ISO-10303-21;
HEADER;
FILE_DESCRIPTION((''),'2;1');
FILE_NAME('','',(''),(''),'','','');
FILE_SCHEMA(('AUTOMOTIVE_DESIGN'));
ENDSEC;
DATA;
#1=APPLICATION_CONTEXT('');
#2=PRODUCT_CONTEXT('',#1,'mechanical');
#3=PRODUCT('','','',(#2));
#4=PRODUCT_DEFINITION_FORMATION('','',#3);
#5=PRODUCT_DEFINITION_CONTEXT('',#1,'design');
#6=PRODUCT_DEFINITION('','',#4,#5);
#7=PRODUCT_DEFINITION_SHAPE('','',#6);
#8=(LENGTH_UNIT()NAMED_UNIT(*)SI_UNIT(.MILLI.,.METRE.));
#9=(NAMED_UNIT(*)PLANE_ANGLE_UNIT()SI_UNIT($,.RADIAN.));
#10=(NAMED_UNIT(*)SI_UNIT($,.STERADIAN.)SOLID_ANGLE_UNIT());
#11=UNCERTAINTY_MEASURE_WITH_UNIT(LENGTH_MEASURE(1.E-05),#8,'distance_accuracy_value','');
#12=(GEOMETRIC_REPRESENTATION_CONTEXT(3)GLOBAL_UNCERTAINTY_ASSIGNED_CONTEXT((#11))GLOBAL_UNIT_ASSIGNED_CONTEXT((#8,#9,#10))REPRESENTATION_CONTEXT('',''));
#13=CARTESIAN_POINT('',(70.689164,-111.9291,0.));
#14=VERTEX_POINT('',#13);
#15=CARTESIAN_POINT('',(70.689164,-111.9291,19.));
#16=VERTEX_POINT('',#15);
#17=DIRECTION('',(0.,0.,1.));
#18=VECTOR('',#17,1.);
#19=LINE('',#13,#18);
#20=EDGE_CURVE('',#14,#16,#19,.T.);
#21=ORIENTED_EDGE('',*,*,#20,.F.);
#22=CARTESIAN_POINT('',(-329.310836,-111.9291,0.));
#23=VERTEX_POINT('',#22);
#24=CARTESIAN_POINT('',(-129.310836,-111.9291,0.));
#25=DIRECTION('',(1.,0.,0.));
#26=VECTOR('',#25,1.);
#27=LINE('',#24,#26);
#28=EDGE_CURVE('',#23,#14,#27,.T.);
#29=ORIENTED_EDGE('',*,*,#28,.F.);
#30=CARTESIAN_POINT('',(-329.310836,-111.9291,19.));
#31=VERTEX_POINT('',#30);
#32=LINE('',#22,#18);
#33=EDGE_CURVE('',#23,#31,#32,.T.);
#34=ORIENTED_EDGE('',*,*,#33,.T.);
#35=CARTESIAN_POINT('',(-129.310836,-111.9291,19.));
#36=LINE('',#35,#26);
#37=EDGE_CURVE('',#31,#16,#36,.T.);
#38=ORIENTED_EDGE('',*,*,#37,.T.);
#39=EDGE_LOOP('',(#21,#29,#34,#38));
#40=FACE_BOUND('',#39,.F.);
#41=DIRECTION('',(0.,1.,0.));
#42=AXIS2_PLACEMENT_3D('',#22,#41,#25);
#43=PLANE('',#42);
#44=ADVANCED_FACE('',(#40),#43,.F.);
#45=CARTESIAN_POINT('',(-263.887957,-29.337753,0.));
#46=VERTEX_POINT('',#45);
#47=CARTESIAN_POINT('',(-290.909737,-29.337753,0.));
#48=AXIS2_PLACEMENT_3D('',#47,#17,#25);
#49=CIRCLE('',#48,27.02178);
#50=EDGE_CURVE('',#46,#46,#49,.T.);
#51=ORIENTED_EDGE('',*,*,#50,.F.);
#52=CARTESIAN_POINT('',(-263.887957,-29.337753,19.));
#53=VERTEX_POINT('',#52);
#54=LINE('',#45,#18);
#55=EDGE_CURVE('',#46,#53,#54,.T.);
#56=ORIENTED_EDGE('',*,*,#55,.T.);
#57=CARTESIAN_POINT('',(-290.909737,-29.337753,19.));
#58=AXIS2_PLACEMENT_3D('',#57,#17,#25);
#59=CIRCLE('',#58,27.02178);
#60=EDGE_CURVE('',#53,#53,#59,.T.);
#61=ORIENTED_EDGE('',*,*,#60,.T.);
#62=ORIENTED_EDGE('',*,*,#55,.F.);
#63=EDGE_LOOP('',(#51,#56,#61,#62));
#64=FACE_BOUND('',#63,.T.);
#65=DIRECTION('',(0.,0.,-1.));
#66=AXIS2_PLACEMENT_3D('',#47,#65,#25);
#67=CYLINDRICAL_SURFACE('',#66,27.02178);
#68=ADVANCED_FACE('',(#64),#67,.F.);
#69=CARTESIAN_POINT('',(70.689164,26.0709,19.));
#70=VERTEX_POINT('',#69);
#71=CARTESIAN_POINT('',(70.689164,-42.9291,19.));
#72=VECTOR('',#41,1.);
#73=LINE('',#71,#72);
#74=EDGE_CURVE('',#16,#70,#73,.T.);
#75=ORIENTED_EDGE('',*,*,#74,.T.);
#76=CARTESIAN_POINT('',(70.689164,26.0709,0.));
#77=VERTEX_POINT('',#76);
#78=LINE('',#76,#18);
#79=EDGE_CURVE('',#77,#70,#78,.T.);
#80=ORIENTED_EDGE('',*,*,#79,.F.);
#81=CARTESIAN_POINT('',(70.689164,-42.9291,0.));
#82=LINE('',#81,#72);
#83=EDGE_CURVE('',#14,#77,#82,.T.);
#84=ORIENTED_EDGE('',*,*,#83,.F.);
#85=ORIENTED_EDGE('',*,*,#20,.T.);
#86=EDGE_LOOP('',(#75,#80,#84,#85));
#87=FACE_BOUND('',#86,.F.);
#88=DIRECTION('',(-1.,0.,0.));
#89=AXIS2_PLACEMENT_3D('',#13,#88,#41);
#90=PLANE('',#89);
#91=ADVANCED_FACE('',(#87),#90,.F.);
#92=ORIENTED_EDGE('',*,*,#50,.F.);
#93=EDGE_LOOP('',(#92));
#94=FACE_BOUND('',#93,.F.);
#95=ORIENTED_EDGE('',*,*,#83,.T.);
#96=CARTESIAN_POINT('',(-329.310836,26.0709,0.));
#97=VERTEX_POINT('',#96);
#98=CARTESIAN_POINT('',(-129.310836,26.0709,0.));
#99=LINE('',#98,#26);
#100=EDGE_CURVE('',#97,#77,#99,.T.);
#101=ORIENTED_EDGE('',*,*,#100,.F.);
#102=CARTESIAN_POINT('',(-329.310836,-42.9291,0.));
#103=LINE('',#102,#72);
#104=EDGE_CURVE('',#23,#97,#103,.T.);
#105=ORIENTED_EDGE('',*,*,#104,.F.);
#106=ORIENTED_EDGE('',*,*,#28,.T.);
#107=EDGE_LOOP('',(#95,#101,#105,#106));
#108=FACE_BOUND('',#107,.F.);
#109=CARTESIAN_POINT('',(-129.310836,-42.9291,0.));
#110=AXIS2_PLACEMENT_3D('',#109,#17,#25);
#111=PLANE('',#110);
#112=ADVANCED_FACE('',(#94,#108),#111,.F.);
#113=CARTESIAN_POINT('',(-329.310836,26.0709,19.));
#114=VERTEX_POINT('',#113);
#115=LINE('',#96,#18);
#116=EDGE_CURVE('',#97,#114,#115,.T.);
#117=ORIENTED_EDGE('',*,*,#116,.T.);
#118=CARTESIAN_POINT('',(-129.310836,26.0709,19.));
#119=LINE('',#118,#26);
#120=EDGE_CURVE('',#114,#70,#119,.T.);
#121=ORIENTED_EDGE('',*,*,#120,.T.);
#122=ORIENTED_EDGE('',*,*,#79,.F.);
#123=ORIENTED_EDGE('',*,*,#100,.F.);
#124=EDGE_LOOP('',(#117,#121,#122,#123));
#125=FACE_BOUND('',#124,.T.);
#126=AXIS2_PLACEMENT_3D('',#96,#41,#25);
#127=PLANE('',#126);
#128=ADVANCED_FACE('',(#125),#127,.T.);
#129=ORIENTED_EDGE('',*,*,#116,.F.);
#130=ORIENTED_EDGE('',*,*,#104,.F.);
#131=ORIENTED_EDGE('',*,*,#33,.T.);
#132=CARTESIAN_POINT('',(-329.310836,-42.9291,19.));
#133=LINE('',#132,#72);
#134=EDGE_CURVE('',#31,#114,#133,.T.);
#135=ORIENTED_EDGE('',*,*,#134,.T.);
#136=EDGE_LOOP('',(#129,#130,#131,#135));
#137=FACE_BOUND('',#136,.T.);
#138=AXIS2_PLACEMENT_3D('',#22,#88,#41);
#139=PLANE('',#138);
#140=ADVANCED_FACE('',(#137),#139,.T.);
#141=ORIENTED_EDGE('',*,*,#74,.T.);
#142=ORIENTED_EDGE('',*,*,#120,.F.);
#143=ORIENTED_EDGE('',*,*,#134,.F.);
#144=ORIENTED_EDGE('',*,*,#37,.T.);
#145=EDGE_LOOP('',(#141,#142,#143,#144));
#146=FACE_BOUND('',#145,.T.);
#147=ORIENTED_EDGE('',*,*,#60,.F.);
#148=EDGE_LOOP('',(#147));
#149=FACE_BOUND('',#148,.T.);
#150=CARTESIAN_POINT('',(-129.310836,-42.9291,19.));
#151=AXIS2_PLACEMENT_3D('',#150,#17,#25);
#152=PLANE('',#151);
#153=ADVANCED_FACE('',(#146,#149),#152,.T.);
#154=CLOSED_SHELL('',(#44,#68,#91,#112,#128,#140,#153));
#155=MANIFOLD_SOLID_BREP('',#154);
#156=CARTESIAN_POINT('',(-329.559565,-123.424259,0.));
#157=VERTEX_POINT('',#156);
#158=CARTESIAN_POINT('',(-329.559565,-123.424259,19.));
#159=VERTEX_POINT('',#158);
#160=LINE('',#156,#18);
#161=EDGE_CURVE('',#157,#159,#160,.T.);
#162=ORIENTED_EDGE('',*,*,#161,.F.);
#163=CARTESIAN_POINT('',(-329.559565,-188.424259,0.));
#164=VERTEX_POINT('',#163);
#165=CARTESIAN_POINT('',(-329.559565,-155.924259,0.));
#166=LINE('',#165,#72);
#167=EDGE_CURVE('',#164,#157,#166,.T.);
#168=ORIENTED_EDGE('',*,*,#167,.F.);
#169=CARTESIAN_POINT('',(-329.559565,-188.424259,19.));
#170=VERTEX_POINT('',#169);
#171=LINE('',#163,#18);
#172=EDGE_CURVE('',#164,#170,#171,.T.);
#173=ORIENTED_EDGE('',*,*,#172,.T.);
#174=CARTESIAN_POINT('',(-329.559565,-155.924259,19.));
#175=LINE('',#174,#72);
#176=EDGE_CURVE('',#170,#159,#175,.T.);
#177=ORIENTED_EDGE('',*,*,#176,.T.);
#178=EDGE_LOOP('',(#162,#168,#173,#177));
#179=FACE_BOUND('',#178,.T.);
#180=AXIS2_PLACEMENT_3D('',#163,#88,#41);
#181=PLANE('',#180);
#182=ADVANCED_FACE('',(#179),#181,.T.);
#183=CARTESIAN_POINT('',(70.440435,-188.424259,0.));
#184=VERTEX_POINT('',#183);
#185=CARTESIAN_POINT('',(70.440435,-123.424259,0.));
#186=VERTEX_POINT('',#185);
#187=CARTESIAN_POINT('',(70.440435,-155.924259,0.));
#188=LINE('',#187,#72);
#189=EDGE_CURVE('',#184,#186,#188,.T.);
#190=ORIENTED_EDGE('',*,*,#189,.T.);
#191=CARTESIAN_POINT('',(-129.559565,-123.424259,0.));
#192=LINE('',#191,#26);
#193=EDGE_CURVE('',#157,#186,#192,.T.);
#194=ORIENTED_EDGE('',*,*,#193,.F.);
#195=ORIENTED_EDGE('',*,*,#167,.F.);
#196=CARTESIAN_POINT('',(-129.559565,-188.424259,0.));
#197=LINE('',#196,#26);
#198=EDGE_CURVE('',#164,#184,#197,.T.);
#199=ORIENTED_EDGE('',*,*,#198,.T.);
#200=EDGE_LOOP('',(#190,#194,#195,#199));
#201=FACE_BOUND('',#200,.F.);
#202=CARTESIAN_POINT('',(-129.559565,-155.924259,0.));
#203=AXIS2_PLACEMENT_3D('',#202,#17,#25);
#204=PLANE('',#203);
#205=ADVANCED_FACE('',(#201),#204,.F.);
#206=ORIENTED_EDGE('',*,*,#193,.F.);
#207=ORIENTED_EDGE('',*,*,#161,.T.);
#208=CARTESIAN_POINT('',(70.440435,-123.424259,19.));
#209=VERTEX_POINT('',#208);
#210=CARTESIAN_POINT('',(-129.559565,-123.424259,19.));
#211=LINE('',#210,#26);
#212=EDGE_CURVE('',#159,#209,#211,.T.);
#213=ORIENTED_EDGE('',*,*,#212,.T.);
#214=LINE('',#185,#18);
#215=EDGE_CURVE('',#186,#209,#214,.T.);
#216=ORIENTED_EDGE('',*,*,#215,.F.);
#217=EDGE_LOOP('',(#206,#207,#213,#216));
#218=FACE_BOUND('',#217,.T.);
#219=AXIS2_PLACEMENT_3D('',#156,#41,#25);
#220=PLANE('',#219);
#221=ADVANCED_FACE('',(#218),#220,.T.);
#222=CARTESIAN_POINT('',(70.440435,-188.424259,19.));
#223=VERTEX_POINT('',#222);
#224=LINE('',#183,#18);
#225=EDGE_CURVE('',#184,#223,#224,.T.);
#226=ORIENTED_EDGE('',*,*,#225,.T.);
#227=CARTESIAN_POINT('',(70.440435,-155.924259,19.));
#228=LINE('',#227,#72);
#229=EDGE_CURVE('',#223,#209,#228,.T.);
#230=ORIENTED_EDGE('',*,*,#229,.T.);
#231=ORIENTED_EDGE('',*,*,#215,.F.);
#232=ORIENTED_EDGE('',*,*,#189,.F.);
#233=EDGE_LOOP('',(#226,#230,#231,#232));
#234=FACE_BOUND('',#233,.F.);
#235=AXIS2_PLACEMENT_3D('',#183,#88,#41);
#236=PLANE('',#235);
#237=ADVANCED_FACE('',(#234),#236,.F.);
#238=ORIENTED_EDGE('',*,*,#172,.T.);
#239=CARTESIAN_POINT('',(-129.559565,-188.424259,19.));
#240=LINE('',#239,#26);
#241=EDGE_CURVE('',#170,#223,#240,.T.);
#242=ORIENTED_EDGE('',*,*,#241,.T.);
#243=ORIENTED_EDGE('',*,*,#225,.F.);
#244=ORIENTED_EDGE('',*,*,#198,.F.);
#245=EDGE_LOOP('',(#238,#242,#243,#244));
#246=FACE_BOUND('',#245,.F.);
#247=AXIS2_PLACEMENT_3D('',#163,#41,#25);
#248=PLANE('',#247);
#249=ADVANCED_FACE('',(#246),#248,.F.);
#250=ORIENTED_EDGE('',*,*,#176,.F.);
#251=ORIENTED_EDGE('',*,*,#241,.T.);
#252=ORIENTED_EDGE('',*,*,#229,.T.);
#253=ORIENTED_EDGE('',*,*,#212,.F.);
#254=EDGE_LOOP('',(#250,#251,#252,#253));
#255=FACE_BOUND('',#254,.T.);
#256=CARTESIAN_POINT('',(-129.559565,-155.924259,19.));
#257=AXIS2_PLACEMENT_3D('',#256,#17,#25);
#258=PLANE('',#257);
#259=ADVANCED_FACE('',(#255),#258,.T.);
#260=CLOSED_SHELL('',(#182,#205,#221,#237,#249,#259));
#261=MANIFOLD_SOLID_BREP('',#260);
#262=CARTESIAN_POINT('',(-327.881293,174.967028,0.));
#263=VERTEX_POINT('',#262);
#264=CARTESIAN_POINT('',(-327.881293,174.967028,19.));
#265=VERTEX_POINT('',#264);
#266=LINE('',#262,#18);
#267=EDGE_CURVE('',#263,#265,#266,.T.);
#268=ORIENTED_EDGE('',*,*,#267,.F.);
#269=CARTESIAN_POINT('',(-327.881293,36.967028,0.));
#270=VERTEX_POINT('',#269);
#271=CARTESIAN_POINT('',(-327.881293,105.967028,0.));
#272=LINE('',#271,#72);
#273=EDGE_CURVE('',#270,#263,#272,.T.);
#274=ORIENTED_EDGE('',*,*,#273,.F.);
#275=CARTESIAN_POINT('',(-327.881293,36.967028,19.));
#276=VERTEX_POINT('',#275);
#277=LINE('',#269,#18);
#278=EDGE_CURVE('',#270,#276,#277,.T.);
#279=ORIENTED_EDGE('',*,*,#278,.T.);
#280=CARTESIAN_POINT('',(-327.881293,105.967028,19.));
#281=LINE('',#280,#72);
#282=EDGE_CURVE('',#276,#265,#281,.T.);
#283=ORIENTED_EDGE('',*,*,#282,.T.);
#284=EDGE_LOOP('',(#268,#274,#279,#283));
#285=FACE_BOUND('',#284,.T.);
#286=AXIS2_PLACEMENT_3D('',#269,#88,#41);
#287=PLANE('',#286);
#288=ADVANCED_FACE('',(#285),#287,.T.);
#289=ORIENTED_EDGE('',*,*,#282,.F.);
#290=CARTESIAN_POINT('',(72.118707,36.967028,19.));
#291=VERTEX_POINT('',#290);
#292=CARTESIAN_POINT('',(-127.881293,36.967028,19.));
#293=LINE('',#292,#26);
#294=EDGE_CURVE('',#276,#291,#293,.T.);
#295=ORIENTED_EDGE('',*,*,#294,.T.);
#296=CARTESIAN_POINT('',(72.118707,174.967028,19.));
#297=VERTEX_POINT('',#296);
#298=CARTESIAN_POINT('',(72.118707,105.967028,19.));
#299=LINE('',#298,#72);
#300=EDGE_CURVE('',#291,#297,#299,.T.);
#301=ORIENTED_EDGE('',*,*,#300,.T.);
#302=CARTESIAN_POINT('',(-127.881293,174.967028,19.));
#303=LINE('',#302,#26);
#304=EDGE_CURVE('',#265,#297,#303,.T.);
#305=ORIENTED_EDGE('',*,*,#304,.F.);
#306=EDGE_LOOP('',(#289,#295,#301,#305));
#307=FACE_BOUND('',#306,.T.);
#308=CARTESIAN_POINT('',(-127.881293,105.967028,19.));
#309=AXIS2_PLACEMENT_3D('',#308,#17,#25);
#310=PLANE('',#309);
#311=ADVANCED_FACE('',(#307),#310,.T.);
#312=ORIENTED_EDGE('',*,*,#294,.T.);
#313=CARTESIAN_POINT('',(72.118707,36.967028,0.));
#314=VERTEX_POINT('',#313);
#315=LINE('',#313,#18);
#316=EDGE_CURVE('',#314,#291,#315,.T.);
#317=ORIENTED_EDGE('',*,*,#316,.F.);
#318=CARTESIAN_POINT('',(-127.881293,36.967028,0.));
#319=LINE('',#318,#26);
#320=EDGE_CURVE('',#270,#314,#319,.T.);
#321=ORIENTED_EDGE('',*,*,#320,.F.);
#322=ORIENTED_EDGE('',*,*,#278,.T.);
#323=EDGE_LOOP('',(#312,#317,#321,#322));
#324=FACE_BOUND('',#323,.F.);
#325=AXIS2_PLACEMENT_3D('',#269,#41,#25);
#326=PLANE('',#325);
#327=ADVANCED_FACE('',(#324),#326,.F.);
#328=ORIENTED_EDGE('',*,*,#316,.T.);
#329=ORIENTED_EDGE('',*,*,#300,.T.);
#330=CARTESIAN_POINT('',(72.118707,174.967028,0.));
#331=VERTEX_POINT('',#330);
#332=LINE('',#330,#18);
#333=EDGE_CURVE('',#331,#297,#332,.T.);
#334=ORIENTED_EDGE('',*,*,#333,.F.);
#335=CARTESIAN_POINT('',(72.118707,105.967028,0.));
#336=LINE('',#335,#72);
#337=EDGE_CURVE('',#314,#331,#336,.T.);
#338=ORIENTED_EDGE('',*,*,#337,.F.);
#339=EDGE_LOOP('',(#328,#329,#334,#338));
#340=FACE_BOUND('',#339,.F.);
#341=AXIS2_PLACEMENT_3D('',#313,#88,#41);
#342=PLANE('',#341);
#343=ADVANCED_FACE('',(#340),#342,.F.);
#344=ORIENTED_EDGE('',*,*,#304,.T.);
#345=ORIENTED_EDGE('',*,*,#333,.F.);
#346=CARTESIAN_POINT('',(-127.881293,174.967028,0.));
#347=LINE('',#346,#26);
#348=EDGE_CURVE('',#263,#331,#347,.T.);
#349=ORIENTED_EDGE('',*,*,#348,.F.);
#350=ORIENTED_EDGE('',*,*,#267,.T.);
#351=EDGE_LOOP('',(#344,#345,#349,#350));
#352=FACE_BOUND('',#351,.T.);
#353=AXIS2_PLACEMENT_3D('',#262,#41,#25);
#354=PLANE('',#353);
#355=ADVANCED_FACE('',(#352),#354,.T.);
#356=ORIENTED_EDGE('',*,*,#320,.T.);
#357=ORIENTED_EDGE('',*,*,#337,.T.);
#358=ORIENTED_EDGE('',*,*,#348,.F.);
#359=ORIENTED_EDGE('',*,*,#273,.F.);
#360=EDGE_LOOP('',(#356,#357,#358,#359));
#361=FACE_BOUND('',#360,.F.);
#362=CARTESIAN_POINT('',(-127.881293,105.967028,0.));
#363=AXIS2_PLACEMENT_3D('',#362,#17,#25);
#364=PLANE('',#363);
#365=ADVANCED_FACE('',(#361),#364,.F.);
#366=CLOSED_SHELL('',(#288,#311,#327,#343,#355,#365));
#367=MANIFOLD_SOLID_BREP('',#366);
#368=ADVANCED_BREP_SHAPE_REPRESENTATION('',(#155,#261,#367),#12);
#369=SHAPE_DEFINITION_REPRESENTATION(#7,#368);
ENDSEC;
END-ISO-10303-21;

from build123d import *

# Parameters (mm, degrees)
F0_W     = 400
F0_H     = 138
F0_R     = 27.02178
F0_H_2   = 65
F1_DEPTH = 19


with BuildPart() as f1:
    # F0 (on Top) → F1 (new body)
    with BuildSketch(Plane.XY):
        with Locations((-127.881293, 105.967028)):
            Rectangle(F0_W, F0_H)
        with Locations((-129.310836, -42.9291)):
            Rectangle(F0_W, F0_H)
        with Locations((-290.909737, -29.337753)):
            Circle(F0_R, mode=Mode.SUBTRACT)
        with Locations((-129.559565, -155.924259)):
            Rectangle(F0_W, F0_H_2)
    extrude(amount=F1_DEPTH)


solid = f1.part
